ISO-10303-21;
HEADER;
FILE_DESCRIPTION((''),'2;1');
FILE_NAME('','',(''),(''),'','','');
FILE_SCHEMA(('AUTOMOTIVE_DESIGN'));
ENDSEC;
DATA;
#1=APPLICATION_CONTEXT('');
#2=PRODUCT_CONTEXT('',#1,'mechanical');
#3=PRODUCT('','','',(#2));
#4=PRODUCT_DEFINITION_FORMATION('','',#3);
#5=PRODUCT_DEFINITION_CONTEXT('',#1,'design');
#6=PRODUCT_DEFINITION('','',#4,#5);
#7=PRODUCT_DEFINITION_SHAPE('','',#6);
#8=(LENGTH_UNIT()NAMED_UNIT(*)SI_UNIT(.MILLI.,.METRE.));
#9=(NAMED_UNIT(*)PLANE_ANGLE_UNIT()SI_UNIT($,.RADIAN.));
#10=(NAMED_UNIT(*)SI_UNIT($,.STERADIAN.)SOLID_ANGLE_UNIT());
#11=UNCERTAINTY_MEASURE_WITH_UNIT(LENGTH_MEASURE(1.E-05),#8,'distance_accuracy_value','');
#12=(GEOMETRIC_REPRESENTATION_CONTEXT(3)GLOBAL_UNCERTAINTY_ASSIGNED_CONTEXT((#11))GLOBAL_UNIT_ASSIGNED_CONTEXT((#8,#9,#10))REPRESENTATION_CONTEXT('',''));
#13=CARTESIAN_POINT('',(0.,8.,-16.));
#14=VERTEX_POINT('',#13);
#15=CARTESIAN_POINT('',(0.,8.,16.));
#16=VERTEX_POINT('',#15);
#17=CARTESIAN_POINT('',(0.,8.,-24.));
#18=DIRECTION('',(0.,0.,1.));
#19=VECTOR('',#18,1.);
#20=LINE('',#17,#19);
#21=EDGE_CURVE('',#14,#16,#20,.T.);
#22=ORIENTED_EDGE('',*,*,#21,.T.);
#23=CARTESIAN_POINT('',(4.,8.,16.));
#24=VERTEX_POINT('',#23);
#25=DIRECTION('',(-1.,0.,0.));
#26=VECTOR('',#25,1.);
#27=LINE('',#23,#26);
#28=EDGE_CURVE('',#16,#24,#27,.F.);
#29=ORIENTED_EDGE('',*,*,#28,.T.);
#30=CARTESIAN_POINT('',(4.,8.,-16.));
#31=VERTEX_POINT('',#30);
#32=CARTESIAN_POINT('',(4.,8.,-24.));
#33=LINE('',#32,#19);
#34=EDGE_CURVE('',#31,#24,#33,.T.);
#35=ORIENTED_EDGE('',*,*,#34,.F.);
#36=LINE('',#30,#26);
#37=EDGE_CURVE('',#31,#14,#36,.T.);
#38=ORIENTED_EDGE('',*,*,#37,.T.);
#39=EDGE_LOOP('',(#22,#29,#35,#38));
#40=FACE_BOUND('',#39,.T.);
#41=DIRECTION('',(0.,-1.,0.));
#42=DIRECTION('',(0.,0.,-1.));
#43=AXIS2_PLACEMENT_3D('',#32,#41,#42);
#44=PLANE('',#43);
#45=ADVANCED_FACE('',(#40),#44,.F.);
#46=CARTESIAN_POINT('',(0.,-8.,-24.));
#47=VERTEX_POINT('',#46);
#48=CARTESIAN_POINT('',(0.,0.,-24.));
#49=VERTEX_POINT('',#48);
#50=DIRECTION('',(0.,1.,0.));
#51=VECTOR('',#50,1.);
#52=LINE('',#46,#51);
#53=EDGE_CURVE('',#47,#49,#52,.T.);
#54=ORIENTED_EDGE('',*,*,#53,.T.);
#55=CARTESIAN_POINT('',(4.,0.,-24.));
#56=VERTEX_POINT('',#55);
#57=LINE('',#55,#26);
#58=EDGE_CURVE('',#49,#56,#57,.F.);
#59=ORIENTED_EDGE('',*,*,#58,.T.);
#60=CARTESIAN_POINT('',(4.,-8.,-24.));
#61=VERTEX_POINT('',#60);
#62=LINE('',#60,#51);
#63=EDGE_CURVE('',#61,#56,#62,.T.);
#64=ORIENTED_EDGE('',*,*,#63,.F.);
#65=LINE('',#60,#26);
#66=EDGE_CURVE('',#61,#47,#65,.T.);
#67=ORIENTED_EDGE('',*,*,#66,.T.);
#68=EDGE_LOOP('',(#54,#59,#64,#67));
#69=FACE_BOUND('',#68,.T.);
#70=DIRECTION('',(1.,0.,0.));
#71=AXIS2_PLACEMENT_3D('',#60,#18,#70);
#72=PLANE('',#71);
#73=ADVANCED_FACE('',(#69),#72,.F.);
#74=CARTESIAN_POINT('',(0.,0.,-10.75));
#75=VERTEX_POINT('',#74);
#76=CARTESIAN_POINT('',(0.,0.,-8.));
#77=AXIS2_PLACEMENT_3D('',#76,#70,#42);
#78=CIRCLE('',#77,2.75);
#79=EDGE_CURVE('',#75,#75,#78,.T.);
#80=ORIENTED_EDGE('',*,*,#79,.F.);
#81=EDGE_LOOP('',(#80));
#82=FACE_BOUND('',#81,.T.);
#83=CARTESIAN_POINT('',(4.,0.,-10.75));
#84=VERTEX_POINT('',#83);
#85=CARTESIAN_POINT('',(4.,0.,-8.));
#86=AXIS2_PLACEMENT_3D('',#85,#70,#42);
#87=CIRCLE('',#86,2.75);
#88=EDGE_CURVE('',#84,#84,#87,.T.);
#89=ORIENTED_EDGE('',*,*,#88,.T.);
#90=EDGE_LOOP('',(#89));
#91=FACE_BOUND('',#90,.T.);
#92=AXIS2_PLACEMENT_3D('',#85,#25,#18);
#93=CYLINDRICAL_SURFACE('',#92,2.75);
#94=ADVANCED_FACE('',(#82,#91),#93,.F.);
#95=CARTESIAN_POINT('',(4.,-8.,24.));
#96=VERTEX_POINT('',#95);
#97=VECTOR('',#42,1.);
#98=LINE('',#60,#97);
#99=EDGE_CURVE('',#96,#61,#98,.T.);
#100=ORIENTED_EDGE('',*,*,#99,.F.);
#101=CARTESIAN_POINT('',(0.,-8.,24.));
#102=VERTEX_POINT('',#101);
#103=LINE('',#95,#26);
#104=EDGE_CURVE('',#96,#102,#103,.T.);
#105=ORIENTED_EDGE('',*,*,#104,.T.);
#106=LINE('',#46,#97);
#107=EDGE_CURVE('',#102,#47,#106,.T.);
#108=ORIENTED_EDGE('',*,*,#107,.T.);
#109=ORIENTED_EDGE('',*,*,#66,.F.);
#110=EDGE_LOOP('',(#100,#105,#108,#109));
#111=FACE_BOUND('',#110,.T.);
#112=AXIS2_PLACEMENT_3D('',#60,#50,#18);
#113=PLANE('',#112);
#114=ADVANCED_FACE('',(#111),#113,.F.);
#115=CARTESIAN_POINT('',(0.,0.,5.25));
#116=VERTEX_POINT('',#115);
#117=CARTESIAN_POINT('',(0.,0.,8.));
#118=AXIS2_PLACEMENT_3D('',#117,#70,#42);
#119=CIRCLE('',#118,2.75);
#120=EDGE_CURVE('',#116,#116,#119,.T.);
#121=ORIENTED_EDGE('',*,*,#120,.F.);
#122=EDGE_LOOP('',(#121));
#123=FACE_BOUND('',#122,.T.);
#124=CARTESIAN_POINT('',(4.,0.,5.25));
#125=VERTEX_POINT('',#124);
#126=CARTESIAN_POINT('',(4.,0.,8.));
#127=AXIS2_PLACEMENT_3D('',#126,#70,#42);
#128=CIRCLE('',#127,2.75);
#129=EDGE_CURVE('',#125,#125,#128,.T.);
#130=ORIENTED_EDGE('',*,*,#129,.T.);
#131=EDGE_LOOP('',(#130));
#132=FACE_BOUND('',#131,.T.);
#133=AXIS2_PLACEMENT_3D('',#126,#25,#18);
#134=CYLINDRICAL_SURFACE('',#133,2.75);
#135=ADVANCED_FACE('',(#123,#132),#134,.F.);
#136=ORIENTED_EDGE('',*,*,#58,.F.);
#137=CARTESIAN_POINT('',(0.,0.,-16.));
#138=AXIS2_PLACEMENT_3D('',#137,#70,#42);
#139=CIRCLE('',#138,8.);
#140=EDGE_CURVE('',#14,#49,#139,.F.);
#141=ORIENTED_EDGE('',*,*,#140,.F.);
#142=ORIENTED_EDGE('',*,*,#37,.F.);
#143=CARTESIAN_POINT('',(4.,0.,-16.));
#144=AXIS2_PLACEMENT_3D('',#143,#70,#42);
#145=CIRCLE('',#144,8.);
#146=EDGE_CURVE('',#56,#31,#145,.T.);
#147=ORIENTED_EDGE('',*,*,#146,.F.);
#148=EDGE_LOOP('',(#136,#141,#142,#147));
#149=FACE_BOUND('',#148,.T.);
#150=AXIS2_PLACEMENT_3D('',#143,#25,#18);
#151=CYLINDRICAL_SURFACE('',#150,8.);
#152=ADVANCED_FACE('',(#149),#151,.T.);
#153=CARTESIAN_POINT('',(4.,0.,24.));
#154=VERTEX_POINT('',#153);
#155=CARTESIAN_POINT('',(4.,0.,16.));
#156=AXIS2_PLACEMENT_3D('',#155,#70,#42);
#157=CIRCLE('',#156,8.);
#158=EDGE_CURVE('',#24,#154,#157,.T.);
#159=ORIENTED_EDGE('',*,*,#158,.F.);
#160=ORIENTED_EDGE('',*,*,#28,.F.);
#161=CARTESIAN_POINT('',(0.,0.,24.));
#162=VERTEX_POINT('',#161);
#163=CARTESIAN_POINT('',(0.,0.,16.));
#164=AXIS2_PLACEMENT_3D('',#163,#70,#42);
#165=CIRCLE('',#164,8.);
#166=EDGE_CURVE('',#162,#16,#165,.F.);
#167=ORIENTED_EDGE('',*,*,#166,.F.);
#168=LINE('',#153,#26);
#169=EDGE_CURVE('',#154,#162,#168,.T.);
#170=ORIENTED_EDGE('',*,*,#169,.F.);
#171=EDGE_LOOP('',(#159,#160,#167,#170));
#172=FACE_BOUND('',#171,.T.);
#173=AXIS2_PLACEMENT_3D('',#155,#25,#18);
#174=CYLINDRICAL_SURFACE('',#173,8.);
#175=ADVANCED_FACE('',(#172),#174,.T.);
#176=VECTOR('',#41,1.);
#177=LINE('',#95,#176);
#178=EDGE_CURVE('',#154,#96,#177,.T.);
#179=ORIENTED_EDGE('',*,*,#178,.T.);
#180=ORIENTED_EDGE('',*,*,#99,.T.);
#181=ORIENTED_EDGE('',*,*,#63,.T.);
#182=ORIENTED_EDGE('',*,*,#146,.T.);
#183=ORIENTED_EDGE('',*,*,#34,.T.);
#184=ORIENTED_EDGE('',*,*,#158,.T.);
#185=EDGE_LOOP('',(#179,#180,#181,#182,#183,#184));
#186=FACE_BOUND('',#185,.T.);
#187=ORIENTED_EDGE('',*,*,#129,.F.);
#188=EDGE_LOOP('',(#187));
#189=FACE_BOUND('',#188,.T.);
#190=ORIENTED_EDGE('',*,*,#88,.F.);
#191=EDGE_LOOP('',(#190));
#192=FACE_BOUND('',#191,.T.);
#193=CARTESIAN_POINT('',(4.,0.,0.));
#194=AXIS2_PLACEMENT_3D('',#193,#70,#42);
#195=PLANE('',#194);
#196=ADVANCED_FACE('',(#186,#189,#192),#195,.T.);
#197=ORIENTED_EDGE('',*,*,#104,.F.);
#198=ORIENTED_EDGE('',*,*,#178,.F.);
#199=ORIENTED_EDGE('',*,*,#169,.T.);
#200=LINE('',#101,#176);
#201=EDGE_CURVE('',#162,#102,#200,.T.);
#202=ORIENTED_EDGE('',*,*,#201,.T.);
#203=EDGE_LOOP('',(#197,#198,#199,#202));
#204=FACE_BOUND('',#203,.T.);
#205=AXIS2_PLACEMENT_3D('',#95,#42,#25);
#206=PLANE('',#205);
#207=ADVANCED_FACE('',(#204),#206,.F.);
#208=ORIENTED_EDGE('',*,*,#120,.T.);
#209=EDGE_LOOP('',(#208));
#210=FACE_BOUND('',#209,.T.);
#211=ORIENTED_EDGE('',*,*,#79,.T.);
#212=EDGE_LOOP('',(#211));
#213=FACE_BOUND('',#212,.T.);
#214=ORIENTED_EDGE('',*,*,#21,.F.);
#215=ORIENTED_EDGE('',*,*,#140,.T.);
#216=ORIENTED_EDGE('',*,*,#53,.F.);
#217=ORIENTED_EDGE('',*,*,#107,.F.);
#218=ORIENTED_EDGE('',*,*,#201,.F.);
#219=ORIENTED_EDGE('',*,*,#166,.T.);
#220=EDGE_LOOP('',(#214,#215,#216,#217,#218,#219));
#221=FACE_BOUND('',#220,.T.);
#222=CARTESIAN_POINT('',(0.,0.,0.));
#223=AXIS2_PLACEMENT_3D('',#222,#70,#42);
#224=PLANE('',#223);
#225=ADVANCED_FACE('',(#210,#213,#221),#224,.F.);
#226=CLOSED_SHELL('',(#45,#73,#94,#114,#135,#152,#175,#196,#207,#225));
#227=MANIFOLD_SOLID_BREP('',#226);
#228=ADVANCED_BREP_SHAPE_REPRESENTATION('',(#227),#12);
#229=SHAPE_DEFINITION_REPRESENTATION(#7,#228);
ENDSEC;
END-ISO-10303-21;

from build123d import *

# Parameters (mm, degrees)
SKETCH1_W           = 48
SKETCH1_H           = 16
SKETCH1_R           = 2.75
BOSS_EXTRUDE1_DEPTH = 4
FILLET1_R           = 8


with BuildPart() as part:
    # Sketch1 → Boss-Extrude1 (new body)
    with BuildSketch(Plane(origin=(0, 0, 0), x_dir=(0, 0, -1), z_dir=(1, 0, 0))):
        Rectangle(SKETCH1_W, SKETCH1_H)
        with Locations((-8, 0)):
            Circle(SKETCH1_R, mode=Mode.SUBTRACT)
        with Locations((8, 0)):
            Circle(SKETCH1_R, mode=Mode.SUBTRACT)
    extrude(amount=BOSS_EXTRUDE1_DEPTH)

    # Fillet1
    fillet1_edges = [part.edges().sort_by_distance(p)[0] for p in [
        (2, 8, 24),
        (2, 8, -24),
    ]]
    fillet(fillet1_edges, radius=FILLET1_R)


solid = part.part
